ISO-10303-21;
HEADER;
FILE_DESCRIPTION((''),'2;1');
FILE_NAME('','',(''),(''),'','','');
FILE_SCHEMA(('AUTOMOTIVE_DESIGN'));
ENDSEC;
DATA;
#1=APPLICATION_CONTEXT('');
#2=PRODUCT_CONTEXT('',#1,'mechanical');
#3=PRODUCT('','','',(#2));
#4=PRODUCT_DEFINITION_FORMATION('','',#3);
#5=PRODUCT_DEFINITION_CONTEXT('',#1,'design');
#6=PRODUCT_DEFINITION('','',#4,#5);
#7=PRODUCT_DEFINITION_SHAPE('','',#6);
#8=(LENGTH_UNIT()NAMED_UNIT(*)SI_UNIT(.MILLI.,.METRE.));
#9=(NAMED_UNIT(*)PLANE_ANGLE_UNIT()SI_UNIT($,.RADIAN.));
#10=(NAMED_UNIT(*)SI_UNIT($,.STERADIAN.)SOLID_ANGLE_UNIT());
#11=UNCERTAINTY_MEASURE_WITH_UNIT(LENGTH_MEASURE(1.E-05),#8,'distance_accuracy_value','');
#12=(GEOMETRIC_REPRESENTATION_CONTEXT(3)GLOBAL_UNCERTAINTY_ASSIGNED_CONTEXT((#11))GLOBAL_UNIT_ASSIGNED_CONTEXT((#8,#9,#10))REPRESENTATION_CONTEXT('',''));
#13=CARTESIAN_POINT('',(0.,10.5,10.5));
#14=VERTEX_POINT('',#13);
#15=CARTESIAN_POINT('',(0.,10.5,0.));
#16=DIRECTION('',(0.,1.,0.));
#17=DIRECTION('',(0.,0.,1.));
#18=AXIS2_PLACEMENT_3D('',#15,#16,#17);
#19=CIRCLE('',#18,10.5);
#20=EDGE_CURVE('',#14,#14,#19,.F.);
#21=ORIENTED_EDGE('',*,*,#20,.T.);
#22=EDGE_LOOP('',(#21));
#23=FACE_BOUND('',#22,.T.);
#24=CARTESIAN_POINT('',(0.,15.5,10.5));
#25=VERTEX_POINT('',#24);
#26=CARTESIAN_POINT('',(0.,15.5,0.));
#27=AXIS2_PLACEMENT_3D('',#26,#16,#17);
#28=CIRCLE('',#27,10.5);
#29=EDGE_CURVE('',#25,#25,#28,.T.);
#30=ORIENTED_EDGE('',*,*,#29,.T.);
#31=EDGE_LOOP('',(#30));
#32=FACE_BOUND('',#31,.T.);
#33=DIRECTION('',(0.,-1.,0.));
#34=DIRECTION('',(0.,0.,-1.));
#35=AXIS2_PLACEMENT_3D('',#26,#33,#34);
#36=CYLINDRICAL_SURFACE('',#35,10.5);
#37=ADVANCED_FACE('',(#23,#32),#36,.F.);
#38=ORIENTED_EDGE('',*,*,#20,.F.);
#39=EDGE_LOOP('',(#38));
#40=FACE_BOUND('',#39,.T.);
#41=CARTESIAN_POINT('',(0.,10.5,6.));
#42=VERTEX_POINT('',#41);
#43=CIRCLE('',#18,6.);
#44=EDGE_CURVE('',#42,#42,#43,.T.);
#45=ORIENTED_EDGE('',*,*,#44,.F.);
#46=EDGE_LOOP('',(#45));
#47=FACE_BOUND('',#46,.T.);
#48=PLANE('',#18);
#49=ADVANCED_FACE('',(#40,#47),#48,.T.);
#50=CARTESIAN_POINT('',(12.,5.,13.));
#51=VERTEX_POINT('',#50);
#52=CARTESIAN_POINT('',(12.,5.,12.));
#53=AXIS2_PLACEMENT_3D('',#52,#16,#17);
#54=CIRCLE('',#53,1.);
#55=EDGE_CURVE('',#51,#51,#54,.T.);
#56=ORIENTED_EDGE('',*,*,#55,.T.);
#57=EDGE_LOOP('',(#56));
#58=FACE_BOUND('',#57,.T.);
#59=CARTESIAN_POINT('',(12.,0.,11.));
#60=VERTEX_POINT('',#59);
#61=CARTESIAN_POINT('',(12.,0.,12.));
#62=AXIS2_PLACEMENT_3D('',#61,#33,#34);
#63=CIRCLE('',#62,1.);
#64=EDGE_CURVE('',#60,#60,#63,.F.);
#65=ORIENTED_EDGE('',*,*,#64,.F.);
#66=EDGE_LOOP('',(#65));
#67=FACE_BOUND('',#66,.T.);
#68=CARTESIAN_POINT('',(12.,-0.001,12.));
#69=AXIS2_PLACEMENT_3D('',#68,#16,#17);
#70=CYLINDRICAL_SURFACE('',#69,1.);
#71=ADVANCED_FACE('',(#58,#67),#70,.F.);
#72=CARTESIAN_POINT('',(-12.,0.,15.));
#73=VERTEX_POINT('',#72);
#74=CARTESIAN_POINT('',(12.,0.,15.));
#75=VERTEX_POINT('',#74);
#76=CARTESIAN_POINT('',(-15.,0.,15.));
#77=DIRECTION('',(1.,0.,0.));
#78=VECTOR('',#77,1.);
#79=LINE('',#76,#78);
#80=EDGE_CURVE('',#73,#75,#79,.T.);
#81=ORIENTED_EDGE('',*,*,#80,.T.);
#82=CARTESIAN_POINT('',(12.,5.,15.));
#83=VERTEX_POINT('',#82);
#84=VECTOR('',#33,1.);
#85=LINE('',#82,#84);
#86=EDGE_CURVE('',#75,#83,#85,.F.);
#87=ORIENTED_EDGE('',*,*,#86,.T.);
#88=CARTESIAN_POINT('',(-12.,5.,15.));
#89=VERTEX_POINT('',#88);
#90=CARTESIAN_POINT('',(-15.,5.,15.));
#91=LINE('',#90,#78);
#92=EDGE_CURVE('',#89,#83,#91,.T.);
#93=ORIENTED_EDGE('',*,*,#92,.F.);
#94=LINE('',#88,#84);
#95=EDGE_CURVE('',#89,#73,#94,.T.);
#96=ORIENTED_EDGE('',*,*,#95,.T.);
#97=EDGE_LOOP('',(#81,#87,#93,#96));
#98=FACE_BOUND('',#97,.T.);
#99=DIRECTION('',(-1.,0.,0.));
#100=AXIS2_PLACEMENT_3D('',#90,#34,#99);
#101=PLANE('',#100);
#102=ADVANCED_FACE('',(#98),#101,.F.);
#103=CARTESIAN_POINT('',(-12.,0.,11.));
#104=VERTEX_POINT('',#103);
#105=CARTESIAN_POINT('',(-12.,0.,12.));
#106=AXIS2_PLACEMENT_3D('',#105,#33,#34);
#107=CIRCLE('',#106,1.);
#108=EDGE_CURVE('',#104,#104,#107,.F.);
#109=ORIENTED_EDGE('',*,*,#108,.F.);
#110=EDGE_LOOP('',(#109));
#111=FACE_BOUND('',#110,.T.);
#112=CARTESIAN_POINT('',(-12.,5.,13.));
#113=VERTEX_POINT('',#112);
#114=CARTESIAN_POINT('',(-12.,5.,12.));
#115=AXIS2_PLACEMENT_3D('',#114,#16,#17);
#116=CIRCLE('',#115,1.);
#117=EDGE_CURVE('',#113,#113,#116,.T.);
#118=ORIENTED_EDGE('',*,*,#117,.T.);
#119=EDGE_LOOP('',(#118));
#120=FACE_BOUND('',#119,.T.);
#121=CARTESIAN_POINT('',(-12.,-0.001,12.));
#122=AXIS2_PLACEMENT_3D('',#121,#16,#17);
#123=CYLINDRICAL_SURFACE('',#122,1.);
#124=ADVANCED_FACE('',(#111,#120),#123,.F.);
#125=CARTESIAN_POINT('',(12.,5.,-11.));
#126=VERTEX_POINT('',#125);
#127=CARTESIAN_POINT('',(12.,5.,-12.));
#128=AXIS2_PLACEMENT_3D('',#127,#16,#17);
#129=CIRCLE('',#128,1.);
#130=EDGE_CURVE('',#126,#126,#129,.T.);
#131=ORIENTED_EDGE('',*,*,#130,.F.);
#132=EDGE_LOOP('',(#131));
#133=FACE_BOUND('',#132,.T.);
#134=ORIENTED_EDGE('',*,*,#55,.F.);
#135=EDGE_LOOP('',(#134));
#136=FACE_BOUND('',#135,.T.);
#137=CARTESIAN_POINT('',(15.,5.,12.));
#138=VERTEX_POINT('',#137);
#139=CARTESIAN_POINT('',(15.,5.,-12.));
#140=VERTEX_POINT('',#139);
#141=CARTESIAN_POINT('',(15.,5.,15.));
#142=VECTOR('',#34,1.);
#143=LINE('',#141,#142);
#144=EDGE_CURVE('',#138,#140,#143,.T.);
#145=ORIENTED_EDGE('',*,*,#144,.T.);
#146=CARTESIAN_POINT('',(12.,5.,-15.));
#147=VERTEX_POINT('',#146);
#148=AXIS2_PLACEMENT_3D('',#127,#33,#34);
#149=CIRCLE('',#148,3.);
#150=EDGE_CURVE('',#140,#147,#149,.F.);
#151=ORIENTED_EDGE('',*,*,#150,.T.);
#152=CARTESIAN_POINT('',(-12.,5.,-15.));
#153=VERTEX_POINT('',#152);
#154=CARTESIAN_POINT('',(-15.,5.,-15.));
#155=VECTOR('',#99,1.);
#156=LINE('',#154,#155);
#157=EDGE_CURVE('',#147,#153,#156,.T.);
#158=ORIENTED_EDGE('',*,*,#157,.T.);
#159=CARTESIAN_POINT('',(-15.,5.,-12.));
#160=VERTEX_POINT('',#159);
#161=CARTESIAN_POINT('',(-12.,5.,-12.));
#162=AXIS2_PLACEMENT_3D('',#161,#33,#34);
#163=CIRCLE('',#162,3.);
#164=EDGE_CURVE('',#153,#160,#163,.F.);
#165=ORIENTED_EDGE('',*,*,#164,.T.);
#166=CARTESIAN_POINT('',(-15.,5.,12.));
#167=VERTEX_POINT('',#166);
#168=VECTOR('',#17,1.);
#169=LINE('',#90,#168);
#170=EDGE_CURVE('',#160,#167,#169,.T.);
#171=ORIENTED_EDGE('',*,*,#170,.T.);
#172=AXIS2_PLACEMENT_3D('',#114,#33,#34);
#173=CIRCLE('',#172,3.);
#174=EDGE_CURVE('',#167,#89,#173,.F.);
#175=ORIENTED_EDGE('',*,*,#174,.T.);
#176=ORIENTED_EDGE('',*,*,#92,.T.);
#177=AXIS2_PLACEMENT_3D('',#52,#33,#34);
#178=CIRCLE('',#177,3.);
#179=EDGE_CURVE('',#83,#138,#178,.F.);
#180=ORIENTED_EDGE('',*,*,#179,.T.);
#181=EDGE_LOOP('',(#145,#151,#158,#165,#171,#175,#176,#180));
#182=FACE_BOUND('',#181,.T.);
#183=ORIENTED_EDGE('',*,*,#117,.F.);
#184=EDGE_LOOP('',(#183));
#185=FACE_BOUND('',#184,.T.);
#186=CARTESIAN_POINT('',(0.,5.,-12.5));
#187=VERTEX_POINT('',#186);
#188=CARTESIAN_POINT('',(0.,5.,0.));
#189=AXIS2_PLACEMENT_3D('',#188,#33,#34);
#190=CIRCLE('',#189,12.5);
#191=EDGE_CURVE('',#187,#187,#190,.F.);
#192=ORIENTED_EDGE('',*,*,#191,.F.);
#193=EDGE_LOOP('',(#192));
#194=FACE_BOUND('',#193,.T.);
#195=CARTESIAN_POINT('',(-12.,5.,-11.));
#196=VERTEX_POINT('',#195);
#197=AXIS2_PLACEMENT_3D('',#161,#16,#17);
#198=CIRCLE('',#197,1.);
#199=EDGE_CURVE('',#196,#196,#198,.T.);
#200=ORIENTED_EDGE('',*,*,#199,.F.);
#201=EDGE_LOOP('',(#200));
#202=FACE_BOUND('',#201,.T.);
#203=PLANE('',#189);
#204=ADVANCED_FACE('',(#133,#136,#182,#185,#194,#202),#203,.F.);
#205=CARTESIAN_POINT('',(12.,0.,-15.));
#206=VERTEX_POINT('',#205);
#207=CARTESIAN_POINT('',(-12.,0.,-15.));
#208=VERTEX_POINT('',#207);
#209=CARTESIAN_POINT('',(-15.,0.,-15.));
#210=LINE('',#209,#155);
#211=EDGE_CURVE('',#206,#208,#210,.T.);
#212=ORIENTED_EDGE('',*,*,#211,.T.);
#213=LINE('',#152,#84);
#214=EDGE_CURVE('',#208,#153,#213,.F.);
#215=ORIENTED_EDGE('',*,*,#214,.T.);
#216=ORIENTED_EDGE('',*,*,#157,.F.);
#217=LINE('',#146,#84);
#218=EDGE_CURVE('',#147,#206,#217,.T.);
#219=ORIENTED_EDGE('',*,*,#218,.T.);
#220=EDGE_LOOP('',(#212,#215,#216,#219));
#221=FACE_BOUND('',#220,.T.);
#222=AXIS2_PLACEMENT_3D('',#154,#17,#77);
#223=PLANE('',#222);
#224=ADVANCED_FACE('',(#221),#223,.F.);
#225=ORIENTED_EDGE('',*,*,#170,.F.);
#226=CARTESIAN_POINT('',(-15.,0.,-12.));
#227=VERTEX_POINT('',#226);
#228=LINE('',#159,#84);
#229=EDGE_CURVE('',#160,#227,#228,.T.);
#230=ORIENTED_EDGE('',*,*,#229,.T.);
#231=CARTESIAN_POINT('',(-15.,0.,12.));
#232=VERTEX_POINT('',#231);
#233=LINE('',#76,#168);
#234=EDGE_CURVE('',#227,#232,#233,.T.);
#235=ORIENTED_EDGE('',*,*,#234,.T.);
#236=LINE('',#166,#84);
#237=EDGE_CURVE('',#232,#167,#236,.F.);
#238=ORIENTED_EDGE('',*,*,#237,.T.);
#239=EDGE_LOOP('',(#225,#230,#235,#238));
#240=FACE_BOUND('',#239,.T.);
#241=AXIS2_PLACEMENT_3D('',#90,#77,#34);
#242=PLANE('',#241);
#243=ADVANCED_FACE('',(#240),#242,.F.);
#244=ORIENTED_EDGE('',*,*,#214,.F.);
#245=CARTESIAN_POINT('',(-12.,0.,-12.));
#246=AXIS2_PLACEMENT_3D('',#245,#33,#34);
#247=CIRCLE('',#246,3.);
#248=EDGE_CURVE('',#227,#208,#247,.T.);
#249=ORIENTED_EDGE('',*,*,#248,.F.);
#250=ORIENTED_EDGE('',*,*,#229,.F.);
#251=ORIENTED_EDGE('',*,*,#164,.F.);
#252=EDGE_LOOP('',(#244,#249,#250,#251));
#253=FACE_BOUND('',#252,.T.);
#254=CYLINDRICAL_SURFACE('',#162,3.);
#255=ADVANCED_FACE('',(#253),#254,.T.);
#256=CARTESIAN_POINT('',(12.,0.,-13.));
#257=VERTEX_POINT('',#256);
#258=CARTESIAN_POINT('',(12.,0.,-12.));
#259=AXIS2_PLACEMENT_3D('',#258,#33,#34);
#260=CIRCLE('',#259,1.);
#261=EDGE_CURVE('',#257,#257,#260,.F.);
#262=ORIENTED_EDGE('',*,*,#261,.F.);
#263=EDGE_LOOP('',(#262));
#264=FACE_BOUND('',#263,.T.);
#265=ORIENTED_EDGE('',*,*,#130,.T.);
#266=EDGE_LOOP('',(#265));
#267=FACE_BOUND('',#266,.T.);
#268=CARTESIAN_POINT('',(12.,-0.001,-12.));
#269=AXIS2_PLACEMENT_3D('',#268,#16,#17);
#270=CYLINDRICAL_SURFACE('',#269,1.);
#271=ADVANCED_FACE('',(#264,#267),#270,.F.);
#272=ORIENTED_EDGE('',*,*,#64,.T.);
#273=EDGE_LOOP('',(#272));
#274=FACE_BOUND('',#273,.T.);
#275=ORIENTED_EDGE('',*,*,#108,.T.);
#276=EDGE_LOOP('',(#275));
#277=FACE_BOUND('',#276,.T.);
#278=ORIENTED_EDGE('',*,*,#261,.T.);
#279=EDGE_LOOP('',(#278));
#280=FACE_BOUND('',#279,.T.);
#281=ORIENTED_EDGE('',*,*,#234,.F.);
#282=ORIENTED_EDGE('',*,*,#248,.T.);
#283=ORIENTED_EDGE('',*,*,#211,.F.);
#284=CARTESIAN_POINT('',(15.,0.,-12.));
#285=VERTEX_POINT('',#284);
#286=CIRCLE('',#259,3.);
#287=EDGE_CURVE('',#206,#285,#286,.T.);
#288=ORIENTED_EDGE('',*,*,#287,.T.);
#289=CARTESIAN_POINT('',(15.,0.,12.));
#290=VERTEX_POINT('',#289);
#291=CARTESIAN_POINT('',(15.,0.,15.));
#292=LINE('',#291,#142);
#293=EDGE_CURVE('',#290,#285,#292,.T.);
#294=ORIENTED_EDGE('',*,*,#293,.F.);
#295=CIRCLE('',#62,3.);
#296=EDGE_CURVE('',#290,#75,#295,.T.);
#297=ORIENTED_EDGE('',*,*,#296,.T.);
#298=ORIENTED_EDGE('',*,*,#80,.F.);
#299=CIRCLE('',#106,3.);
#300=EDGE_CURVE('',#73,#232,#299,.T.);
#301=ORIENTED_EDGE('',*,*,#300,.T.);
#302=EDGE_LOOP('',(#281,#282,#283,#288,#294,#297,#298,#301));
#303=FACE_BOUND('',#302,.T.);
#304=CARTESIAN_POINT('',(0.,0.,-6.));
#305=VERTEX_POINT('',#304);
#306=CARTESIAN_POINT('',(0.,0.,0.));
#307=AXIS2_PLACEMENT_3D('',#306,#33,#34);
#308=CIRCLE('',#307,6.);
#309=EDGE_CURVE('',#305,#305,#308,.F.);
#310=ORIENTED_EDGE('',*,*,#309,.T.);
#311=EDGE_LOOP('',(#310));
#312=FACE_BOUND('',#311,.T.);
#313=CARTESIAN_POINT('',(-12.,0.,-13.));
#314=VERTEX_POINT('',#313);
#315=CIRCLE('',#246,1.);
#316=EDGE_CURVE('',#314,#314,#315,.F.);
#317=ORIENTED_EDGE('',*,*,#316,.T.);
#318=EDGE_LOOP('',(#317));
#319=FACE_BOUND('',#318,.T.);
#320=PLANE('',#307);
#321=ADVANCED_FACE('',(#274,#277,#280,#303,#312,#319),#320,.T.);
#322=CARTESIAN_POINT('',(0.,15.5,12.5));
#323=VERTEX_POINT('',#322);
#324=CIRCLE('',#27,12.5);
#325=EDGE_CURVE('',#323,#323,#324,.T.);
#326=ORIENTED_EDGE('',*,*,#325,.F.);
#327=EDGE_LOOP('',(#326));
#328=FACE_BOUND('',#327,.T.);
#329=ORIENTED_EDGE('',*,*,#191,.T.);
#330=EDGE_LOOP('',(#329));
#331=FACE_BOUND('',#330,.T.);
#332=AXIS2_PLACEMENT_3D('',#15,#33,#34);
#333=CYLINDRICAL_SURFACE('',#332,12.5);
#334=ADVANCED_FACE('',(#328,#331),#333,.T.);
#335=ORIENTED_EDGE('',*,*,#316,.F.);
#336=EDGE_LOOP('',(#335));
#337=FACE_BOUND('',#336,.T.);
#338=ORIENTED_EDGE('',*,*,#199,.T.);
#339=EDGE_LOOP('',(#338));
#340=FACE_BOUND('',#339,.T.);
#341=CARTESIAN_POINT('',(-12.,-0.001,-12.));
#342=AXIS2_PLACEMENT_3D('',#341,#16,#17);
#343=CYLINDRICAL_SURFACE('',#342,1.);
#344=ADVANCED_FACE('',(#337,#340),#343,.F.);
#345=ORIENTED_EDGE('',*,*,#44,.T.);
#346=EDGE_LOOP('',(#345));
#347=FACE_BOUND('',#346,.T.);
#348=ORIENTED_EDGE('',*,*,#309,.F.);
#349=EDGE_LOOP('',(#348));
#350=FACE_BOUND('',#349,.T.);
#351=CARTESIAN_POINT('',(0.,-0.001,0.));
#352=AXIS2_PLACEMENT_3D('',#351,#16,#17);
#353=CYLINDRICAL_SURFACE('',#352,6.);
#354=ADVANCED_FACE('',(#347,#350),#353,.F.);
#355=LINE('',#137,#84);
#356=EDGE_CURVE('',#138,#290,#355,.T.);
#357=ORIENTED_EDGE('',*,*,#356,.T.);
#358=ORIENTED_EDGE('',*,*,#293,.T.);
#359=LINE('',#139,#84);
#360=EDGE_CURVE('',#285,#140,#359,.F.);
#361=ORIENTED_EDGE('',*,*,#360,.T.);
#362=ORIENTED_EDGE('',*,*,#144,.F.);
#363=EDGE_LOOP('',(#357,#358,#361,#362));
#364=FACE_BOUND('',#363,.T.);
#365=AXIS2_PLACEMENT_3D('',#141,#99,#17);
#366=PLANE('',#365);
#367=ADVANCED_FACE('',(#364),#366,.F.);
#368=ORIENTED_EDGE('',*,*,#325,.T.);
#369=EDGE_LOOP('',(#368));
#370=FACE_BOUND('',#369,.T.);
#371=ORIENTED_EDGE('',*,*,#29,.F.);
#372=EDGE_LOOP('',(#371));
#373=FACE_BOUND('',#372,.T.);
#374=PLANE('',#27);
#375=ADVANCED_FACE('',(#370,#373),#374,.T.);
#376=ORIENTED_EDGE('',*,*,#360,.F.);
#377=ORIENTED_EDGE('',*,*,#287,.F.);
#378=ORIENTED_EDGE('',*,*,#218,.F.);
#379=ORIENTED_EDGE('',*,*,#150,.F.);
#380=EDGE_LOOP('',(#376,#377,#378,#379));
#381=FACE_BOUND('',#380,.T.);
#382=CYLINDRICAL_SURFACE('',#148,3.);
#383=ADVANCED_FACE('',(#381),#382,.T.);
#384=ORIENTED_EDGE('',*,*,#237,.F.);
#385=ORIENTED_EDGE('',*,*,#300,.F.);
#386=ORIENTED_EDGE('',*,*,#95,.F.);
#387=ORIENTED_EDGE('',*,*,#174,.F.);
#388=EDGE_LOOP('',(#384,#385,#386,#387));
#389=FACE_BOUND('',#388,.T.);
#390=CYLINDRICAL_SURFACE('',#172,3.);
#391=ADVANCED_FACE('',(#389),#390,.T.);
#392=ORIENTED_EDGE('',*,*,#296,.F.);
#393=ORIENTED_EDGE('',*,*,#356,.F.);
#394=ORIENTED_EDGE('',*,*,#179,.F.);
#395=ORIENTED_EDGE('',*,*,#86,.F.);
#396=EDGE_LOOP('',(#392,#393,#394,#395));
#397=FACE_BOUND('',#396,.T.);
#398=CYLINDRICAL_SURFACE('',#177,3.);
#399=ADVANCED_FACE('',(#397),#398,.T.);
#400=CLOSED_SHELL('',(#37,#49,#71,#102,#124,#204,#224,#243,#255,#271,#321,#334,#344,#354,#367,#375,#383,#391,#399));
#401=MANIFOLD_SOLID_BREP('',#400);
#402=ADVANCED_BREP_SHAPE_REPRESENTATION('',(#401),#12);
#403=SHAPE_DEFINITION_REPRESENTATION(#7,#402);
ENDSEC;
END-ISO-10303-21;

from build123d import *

# Parameters (mm, degrees)
SKETCH1_W           = 30
SKETCH1_H           = 30
BOSS_EXTRUDE1_DEPTH = 5
CUT_EXTRUDE1_REACH  = 23.794
SKETCH2_R           = 1
FILLET1_R           = 3
SKETCH3_R           = 12.5
BOSS_EXTRUDE2_DEPTH = 5.5
SKETCH4_R           = 12.5
SKETCH4_R_2         = 10.5
BOSS_EXTRUDE3_DEPTH = 5
CUT_EXTRUDE2_REACH  = 25.67
SKETCH5_R           = 6


with BuildPart() as part:
    # Sketch1 → Boss-Extrude1 (new body)
    with BuildSketch(Plane(origin=(0, 0, 0), x_dir=(1, 0, 0), z_dir=(0, 1, 0))):
        Rectangle(SKETCH1_W, SKETCH1_H)
    extrude(amount=BOSS_EXTRUDE1_DEPTH)

    # Sketch2 → Cut-Extrude1 (cut, up to next)
    with BuildSketch(Plane(origin=(0, 5, 0), x_dir=(1, 0, 0), z_dir=(0, 1, 0)), mode=Mode.PRIVATE) as cut_extrude1_sk1:
        with Locations(Location((-12, 12, 0), (0, 0, 270))):
            Circle(SKETCH2_R)
    cut_extrude1_tool1 = extrude(cut_extrude1_sk1.sketch, amount=-CUT_EXTRUDE1_REACH, mode=Mode.PRIVATE) & part.part
    # Sketch2 → Cut-Extrude1 (cut, up to next)
    with BuildSketch(Plane(origin=(0, 5, 0), x_dir=(1, 0, 0), z_dir=(0, 1, 0)), mode=Mode.PRIVATE) as cut_extrude1_sk2:
        with Locations(Location((12, 12, 0), (0, 0, 270))):
            Circle(SKETCH2_R)
    cut_extrude1_tool2 = extrude(cut_extrude1_sk2.sketch, amount=-CUT_EXTRUDE1_REACH, mode=Mode.PRIVATE) & part.part
    # Sketch2 → Cut-Extrude1 (cut, up to next)
    with BuildSketch(Plane(origin=(0, 5, 0), x_dir=(1, 0, 0), z_dir=(0, 1, 0)), mode=Mode.PRIVATE) as cut_extrude1_sk3:
        with Locations(Location((-12, -12, 0), (0, 0, 270))):
            Circle(SKETCH2_R)
    cut_extrude1_tool3 = extrude(cut_extrude1_sk3.sketch, amount=-CUT_EXTRUDE1_REACH, mode=Mode.PRIVATE) & part.part
    # Sketch2 → Cut-Extrude1 (cut, up to next)
    with BuildSketch(Plane(origin=(0, 5, 0), x_dir=(1, 0, 0), z_dir=(0, 1, 0)), mode=Mode.PRIVATE) as cut_extrude1_sk4:
        with Locations(Location((12, -12, 0), (0, 0, 270))):
            Circle(SKETCH2_R)
    cut_extrude1_tool4 = extrude(cut_extrude1_sk4.sketch, amount=-CUT_EXTRUDE1_REACH, mode=Mode.PRIVATE) & part.part
    add(cut_extrude1_tool1.solids().sort_by_distance((-12, 5, -12))[0], mode=Mode.SUBTRACT)
    add(cut_extrude1_tool2.solids().sort_by_distance((12, 5, -12))[0], mode=Mode.SUBTRACT)
    add(cut_extrude1_tool3.solids().sort_by_distance((-12, 5, 12))[0], mode=Mode.SUBTRACT)
    add(cut_extrude1_tool4.solids().sort_by_distance((12, 5, 12))[0], mode=Mode.SUBTRACT)

    # Fillet1
    fillet1_edges = [part.edges().sort_by_distance(p)[0] for p in [
        (15, 2.5, 15),
        (-15, 2.5, 15),
        (-15, 2.5, -15),
        (15, 2.5, -15),
    ]]
    fillet(fillet1_edges, radius=FILLET1_R)

    # Sketch3 → Boss-Extrude2 (add)
    with BuildSketch(Plane(origin=(0, 5, 0), x_dir=(1, 0, 0), z_dir=(0, 1, 0))):
        with Locations(Location((0, 0, 0), (0, 0, 90))):
            Circle(SKETCH3_R)
    extrude(amount=BOSS_EXTRUDE2_DEPTH)

    # Sketch4 → Boss-Extrude3 (add)
    with BuildSketch(Plane(origin=(0, 10.5, 0), x_dir=(1, 0, 0), z_dir=(0, 1, 0))):
        with Locations(Location((0, 0, 0), (0, 0, 90))):
            Circle(SKETCH4_R)
        with Locations(Location((0, 0, 0), (0, 0, 270))):
            Circle(SKETCH4_R_2, mode=Mode.SUBTRACT)
    extrude(amount=BOSS_EXTRUDE3_DEPTH)

    # Sketch5 → Cut-Extrude2 (cut, up to next)
    with BuildSketch(Plane(origin=(0, 10.5, 0), x_dir=(1, 0, 0), z_dir=(0, 1, 0)), mode=Mode.PRIVATE) as cut_extrude2_sk1:
        with Locations(Location((0, 0, 0), (0, 0, 270))):
            Circle(SKETCH5_R)
    cut_extrude2_tool1 = extrude(cut_extrude2_sk1.sketch, amount=-CUT_EXTRUDE2_REACH, mode=Mode.PRIVATE) & part.part
    add(cut_extrude2_tool1.solids().sort_by_distance((0, 10.5, 0))[0], mode=Mode.SUBTRACT)


solid = part.part
